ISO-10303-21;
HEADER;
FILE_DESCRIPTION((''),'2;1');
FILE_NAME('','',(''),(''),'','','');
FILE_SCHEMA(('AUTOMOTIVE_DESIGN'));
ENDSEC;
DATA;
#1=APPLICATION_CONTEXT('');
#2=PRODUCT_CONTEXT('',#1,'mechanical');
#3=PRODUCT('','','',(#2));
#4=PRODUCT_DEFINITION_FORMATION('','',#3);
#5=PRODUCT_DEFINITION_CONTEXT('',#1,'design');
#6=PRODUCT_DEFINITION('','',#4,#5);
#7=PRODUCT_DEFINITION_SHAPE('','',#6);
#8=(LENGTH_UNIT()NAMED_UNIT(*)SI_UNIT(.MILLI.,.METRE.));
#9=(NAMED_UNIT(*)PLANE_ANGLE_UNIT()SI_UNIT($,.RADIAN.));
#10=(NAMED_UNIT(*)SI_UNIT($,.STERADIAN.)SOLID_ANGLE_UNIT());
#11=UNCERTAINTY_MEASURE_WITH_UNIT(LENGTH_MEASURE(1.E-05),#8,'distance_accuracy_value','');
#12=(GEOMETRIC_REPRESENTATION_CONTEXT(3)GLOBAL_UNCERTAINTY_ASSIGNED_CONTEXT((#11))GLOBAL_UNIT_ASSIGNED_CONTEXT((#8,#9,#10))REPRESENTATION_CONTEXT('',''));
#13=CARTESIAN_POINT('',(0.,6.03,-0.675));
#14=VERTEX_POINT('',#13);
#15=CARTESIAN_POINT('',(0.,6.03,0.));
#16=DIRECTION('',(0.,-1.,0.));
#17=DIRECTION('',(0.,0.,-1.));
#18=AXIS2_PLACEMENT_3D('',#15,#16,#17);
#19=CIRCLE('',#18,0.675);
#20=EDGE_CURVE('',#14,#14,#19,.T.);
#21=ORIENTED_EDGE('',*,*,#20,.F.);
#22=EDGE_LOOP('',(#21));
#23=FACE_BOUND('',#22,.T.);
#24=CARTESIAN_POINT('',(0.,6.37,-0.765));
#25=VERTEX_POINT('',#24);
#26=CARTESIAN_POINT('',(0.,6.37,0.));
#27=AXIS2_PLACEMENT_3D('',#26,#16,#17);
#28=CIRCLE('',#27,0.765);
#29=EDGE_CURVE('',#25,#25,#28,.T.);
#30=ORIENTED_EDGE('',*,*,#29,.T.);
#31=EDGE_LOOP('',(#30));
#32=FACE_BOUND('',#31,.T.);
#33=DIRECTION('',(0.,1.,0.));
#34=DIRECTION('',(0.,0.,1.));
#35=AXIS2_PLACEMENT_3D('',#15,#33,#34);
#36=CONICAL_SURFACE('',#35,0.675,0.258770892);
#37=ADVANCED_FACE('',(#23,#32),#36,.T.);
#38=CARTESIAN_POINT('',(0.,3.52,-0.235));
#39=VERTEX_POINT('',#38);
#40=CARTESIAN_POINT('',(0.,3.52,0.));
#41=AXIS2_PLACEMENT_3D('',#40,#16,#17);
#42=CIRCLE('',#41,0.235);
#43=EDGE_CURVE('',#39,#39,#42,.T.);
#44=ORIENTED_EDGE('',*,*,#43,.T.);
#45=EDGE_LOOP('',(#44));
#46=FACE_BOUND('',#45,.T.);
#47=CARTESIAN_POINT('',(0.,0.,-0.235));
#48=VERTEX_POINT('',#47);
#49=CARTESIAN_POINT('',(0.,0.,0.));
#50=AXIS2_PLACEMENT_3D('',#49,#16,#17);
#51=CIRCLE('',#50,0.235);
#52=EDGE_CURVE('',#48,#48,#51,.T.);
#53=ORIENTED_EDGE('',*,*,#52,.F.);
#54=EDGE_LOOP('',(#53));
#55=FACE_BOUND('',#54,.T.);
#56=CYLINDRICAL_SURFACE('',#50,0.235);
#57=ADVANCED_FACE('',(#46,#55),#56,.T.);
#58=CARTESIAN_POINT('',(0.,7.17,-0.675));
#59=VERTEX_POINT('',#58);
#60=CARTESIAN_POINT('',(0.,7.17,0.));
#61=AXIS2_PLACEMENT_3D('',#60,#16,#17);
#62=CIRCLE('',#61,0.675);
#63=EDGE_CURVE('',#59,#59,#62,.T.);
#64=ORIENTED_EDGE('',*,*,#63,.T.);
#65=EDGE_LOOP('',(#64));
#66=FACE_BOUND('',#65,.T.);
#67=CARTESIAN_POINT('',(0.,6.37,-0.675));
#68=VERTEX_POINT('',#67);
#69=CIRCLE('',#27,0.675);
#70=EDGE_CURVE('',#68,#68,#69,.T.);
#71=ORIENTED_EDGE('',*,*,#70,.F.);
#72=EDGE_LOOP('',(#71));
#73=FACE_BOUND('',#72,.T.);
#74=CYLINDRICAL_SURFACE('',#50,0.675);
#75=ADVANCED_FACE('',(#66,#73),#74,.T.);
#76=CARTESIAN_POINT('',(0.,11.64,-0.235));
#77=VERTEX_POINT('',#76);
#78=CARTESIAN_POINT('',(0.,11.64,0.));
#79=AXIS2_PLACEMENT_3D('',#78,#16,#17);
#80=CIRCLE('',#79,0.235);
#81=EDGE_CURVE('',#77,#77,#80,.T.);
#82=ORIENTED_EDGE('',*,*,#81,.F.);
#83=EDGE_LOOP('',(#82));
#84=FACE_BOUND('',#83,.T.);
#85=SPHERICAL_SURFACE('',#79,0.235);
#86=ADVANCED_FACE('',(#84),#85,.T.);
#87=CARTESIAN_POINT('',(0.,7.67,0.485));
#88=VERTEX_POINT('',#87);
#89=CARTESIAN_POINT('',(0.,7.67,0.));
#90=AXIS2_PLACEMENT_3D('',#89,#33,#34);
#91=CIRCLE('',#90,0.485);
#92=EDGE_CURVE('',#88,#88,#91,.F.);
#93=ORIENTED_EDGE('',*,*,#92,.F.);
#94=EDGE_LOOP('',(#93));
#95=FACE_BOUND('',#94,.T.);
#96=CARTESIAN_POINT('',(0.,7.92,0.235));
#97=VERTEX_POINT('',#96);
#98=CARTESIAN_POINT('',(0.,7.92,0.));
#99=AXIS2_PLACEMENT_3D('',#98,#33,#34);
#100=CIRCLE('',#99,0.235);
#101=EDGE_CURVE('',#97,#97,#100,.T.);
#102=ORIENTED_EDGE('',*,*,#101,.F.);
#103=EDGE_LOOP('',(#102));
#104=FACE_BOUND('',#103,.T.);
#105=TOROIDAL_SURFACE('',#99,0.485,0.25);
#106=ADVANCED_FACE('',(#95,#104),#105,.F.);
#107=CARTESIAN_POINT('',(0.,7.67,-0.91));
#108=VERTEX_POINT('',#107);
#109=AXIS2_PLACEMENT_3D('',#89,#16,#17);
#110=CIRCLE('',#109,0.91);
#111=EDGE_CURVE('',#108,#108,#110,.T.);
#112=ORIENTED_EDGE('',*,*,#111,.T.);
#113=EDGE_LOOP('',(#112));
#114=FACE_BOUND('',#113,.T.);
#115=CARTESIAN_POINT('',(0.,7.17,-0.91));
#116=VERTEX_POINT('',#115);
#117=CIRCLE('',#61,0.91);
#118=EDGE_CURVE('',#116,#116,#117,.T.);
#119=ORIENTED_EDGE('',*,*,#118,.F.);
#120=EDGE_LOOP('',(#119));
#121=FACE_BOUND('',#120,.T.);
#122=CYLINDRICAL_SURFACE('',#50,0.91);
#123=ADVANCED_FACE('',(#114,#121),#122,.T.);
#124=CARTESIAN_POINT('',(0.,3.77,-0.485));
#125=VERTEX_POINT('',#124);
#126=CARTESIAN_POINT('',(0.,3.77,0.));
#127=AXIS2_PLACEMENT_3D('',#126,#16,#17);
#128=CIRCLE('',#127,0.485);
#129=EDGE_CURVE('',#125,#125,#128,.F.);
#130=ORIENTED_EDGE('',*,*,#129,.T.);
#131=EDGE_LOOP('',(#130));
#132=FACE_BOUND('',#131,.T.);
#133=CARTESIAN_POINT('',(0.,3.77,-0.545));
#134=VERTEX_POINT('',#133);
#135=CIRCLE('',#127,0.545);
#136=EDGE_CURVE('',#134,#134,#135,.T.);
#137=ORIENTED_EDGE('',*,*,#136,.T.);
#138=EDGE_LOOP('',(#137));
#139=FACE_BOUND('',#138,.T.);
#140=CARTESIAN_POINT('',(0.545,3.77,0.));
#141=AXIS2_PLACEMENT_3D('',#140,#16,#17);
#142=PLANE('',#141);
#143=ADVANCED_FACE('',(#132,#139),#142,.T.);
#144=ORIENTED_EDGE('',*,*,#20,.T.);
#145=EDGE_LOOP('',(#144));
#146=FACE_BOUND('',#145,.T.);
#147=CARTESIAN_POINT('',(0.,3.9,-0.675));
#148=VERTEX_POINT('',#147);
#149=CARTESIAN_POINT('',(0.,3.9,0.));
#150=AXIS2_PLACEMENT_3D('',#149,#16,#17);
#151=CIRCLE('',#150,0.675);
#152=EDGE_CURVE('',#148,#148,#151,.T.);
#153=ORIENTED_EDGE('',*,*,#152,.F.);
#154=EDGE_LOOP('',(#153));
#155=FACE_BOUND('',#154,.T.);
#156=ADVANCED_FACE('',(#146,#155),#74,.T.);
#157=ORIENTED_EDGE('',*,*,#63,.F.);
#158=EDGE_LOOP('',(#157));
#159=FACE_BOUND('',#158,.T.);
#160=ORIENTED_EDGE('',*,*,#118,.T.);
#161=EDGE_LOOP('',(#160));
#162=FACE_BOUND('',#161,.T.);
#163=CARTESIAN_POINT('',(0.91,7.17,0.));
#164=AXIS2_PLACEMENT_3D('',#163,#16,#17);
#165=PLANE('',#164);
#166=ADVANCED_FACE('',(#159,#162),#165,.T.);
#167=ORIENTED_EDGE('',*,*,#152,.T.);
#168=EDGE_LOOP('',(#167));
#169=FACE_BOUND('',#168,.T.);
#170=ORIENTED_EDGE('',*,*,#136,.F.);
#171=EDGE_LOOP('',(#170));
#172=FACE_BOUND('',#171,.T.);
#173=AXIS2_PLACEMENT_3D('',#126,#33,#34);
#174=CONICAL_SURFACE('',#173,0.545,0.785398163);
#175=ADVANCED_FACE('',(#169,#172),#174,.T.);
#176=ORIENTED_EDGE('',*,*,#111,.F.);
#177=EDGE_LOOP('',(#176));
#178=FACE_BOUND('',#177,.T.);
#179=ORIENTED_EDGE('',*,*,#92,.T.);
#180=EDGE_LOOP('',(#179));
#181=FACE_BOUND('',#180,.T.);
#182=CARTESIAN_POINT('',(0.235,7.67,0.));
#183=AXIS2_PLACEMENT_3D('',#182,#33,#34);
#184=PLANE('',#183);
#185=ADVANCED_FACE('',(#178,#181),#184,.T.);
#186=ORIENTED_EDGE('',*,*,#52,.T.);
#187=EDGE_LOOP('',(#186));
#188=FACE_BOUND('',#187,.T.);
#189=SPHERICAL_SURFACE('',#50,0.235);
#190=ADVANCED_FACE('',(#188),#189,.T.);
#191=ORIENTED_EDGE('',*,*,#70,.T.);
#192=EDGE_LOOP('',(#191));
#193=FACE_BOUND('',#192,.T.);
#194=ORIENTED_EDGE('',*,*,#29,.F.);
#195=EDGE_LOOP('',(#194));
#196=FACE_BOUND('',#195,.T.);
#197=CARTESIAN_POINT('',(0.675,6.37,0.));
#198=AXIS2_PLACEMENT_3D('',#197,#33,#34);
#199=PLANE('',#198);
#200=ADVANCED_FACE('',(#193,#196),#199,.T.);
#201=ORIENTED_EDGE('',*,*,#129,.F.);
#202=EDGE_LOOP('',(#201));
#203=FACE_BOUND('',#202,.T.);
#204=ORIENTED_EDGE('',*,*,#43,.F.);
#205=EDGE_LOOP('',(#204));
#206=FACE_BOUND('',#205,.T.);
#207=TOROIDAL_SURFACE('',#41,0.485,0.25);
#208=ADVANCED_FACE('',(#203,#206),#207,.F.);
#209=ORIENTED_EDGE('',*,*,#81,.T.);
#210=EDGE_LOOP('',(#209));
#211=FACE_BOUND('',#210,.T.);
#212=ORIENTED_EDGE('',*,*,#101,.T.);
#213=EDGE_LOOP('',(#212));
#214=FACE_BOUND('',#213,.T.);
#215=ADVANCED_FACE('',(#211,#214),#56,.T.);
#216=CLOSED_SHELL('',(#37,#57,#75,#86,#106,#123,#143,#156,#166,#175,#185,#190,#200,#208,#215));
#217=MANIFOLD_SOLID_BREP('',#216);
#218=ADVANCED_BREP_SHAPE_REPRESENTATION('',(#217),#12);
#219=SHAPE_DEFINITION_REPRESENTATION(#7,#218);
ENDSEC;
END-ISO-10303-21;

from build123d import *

# Parameters (mm, degrees)
DOME1_FACE_RADIUS = 0.235
DOME1_HEIGHT      = 0.235
DOME2_FACE_RADIUS = 0.235
DOME2_HEIGHT      = 0.235
FILLET1_R         = 0.25


with BuildPart() as part:
    # Sketch1 → Revolve1 (revolve)
    with BuildSketch(Plane.XY):
        Polygon((0, 0), (0, 11.64), (0.235, 11.64), (0.235, 7.67), (0.91, 7.67), (0.91, 7.17), (0.675, 7.17), (0.675, 6.37), (0.765, 6.37), (0.675, 6.03), (0.675, 3.9), (0.545, 3.77), (0.235, 3.77), (0.235, 0), align=None)
    revolve(axis=Axis((0, 0, 0), (0, 1, 0)))

    # Dome1: a dome of height H over a round flat face of radius A is a cap of a sphere of radius (A * A + H * H) / (2 * H)
    dome1_r = (DOME1_FACE_RADIUS * DOME1_FACE_RADIUS + DOME1_HEIGHT * DOME1_HEIGHT) / (2 * DOME1_HEIGHT)
    dome1_base = Plane((0, 11.64, 0), z_dir=(0, 1, 0))
    with Locations(dome1_base.offset(DOME1_HEIGHT - dome1_r)):
        dome1_ball = Sphere(dome1_r, mode=Mode.PRIVATE)
    add(split(dome1_ball, bisect_by=dome1_base, keep=Keep.TOP, mode=Mode.PRIVATE))

    # Dome2: a dome of height H over a round flat face of radius A is a cap of a sphere of radius (A * A + H * H) / (2 * H)
    dome2_r = (DOME2_FACE_RADIUS * DOME2_FACE_RADIUS + DOME2_HEIGHT * DOME2_HEIGHT) / (2 * DOME2_HEIGHT)
    dome2_base = Plane((0, 0, 0), z_dir=(0, -1, 0))
    with Locations(dome2_base.offset(DOME2_HEIGHT - dome2_r)):
        dome2_ball = Sphere(dome2_r, mode=Mode.PRIVATE)
    add(split(dome2_ball, bisect_by=dome2_base, keep=Keep.TOP, mode=Mode.PRIVATE))

    # Fillet1
    fillet1_edges = [part.edges().sort_by_distance(p)[0] for p in [
        (-0.235, 7.67, 0),
        (-0.235, 3.77, 0),
    ]]
    fillet(fillet1_edges, radius=FILLET1_R)


solid = part.part
